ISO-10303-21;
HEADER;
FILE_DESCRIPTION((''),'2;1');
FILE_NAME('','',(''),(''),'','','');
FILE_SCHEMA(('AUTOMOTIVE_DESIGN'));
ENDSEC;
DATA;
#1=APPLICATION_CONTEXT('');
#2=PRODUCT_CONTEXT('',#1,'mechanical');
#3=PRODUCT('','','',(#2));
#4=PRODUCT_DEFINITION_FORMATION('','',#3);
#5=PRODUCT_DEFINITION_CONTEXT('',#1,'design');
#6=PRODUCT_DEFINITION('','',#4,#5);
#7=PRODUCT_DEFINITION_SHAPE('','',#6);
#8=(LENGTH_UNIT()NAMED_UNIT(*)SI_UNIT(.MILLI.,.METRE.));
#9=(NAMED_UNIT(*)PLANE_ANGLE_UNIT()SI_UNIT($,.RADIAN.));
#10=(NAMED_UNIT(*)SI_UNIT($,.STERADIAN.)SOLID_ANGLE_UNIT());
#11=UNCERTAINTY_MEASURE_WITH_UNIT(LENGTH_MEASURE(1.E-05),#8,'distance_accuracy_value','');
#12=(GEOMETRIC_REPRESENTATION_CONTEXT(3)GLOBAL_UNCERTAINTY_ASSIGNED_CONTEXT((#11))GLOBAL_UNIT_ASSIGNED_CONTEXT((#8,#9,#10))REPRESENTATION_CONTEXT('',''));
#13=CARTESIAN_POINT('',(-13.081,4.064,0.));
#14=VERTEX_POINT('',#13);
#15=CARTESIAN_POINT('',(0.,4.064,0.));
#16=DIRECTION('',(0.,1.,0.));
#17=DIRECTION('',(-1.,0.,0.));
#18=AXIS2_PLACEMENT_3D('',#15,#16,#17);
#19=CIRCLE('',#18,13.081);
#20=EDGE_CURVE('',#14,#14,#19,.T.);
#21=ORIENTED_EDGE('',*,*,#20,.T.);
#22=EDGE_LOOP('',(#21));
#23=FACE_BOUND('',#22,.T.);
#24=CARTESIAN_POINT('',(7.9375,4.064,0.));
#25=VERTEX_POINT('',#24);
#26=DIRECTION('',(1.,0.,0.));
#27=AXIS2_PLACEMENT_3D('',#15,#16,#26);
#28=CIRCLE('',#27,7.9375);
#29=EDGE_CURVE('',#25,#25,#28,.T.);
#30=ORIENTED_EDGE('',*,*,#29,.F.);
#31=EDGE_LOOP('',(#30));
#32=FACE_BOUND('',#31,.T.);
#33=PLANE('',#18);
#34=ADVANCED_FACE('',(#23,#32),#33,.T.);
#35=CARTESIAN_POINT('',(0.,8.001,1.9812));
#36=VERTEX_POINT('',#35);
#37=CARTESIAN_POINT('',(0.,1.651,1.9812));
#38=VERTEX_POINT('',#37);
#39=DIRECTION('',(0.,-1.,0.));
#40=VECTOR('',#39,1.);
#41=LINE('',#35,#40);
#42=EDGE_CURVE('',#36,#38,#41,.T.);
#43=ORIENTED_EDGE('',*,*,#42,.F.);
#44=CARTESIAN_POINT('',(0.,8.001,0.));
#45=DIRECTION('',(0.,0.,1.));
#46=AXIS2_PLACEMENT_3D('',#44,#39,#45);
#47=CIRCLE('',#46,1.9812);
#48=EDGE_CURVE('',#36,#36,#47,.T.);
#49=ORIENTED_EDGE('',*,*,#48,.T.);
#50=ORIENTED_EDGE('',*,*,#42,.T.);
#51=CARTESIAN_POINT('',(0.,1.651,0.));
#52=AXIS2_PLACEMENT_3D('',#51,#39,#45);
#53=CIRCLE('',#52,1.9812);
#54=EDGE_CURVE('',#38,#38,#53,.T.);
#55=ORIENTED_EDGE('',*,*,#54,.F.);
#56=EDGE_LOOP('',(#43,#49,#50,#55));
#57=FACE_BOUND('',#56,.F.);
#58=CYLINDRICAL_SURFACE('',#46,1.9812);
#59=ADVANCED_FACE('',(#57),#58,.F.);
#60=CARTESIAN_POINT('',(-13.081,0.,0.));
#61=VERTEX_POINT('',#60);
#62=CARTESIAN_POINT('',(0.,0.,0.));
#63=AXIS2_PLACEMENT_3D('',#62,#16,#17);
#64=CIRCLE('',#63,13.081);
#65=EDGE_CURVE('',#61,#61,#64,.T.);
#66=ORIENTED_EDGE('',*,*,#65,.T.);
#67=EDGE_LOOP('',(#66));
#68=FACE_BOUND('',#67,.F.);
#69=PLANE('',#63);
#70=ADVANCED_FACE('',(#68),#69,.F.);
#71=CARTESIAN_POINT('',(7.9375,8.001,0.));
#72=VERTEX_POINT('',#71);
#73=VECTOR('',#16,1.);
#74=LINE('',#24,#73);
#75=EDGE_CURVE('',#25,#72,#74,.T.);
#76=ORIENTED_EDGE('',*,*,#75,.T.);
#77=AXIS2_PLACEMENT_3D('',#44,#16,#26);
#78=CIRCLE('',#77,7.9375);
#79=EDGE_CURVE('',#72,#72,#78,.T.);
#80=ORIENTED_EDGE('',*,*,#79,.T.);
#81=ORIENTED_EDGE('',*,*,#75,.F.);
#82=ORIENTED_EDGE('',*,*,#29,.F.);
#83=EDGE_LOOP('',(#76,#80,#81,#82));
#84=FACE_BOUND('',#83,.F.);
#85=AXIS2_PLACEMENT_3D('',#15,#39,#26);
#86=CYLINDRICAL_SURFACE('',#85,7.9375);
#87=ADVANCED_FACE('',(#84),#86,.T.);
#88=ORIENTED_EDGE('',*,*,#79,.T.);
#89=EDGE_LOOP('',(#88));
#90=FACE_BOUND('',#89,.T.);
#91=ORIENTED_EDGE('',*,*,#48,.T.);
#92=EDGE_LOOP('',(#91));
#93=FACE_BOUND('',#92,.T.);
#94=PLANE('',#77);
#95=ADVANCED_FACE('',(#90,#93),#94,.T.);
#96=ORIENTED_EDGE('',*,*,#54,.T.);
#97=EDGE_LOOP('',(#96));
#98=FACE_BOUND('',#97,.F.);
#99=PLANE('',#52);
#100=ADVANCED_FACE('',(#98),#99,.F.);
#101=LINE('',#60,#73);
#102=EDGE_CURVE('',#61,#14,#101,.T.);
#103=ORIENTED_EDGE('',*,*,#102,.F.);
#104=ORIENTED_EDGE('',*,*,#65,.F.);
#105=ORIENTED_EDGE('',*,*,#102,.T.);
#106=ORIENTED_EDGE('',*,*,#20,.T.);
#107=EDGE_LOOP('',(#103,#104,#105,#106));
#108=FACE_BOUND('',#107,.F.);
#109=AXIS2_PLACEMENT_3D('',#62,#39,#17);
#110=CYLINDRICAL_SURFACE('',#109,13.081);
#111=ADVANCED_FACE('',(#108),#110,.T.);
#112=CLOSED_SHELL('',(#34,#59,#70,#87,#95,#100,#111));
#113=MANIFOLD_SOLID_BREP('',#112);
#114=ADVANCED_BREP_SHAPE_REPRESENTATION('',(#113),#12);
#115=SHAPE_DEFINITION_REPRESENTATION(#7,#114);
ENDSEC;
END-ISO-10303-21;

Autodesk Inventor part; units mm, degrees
ref_plane "YZ Plane" through (0, 0, 0) normal (1, 0, 0) x (0, 1, 0)
ref_plane "XZ Plane" through (0, 0, 0) normal (0, 1, 0) x (-1, 0, 0)
ref_plane "XY Plane" through (0, 0, 0) normal (0, 0, 1) x (1, 0, 0)
sketch "Sketch1" plane through (0, 0, 0) normal (0, 1, 0) x (-1, 0, 0)
  circle A0 centre (0, 0) radius 13.081
  dimension "outerDiamKnurledKnob" = 26.162
extrude "Extrusion1" add sketch "Sketch1" along normal blind 4.064
sketch "Sketch2" plane through (0, 4.064, 0) normal (0, 1, 0) x (1, 0, 0)
  circle A0 centre (0, 0) radius 7.9375
  dimension "innerRingDiam" = 15.875
extrude "Extrusion2" add sketch "Sketch2" along normal blind 3.937
sketch "Sketch3" plane through (0, 8.001, 0) normal (0, 1, 0) x (1, 0, 0)
  point P0 (0, 0)
  point P1 (0, 0)
hole "Hole1" at (0, 8.001, 0) direction (0, -1, 0) diameter 3.9624 depth 6.35 thread size "10-32 UNF" class "2B" standard "ANSI Unified Screw Threads"
properties part number "knurledKnob" material "Aluminum 6061"
